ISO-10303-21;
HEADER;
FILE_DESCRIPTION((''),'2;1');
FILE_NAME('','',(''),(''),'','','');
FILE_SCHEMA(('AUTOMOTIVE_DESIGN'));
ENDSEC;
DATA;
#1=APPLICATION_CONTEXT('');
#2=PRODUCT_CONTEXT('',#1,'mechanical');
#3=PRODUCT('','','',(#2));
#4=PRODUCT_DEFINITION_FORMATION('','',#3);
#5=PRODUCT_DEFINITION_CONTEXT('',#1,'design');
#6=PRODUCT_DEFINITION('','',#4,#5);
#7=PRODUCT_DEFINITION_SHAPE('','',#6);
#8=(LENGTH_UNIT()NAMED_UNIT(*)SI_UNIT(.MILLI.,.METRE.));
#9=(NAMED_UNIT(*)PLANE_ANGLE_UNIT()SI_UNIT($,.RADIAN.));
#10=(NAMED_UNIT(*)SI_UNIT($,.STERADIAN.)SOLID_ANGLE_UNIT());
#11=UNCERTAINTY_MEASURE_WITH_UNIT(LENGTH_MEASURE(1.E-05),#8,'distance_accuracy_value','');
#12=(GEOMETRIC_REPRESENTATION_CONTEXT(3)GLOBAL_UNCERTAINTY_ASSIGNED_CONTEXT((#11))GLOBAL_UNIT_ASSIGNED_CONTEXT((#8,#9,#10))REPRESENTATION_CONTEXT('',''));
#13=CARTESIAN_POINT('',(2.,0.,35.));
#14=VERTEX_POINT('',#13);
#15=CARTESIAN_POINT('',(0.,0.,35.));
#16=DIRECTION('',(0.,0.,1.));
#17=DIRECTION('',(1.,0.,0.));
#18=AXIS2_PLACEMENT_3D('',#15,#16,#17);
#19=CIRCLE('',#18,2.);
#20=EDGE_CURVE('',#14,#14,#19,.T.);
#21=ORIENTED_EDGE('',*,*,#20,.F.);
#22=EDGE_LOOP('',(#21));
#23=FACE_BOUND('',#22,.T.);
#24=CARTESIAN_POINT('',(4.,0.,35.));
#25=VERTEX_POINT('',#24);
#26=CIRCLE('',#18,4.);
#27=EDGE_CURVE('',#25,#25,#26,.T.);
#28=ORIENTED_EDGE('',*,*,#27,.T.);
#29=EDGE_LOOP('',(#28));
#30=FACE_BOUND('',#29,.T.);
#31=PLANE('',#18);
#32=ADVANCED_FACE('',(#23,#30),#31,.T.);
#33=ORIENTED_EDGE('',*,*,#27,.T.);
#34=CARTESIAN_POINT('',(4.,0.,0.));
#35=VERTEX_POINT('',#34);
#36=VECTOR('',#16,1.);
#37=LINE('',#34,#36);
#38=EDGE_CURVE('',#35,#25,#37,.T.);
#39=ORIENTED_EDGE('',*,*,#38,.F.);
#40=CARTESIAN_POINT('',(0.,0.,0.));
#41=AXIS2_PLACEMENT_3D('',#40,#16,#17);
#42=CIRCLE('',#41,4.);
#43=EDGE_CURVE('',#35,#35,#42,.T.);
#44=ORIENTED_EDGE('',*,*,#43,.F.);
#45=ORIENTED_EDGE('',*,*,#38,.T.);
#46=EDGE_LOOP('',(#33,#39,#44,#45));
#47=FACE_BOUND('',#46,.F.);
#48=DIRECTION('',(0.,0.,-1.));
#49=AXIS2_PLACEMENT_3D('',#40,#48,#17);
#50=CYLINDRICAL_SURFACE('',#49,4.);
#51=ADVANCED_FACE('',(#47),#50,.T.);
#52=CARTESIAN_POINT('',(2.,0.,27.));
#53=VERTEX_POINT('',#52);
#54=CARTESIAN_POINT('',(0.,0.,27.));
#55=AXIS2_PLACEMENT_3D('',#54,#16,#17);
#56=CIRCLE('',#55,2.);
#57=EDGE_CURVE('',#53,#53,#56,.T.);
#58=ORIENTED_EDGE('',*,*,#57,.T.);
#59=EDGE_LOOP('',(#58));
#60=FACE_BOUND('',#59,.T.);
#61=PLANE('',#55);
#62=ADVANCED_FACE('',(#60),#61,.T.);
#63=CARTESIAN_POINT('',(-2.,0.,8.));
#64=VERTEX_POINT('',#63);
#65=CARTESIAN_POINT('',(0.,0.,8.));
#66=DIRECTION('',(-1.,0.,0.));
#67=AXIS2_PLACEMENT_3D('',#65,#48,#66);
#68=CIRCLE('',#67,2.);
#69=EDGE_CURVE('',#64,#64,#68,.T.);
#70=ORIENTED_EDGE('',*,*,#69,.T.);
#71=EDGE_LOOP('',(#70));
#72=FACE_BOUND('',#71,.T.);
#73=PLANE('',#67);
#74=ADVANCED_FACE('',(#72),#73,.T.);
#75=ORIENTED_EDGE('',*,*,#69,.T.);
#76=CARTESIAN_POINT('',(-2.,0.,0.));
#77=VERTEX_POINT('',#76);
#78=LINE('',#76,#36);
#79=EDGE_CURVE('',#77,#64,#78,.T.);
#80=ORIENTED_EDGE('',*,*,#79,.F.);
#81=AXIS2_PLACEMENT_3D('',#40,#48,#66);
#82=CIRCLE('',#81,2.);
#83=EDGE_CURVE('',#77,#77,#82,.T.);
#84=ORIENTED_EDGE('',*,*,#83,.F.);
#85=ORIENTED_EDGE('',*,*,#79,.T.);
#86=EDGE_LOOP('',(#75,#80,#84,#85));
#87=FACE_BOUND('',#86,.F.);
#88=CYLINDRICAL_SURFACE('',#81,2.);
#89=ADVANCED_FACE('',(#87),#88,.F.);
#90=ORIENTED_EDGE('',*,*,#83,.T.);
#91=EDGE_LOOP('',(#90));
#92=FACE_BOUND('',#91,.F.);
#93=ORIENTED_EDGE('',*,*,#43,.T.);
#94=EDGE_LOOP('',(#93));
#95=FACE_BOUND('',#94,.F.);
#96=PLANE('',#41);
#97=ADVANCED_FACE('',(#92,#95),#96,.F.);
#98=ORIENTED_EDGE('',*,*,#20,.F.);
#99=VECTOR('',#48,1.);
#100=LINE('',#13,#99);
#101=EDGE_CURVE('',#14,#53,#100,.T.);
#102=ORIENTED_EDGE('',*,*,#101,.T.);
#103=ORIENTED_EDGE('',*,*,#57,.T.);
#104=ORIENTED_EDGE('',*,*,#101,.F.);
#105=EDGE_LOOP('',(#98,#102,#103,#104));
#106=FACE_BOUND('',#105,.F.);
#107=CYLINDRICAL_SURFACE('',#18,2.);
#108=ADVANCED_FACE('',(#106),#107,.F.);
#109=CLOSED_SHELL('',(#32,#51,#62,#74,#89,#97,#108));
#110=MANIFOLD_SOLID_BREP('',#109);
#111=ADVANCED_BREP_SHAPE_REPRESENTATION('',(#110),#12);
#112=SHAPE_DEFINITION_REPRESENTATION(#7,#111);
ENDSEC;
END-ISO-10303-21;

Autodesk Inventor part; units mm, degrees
ref_plane "YZ Plane" through (0, 0, 0) normal (1, 0, 0) x (0, 1, 0)
ref_plane "XZ Plane" through (0, 0, 0) normal (0, 1, 0) x (-1, 0, 0)
ref_plane "XY Plane" through (0, 0, 0) normal (0, 0, 1) x (1, 0, 0)
sketch "スケッチ1" plane through (0, 0, 0) normal (0, 0, 1) x (1, 0, 0)
  circle A0 centre (0, 0) radius 4
  circle A1 centre (0, 0) radius 2
  dimension "d0" = 8
  dimension "d1" = 4
extrude "押し出し1" add sketch "スケッチ1" along normal blind 35 contours A0 | A1
sketch "スケッチ2" plane through (0, 0, 35) normal (0, 0, 1) x (1, 0, 0)
  circle A0 centre (0, 0) radius 2
  dimension "d4" = 4
extrude "押し出し2" cut sketch "スケッチ2" against normal blind 8
sketch "スケッチ3" plane through (0, 0, 0) normal (0, 0, -1) x (-1, 0, 0)
  circle A0 centre (0, 0) radius 2
  dimension "d7" = 4
extrude "押し出し3" cut sketch "スケッチ3" against normal blind 8
properties part number "スペーサーm4,35" material "アルミニウム 7075"
